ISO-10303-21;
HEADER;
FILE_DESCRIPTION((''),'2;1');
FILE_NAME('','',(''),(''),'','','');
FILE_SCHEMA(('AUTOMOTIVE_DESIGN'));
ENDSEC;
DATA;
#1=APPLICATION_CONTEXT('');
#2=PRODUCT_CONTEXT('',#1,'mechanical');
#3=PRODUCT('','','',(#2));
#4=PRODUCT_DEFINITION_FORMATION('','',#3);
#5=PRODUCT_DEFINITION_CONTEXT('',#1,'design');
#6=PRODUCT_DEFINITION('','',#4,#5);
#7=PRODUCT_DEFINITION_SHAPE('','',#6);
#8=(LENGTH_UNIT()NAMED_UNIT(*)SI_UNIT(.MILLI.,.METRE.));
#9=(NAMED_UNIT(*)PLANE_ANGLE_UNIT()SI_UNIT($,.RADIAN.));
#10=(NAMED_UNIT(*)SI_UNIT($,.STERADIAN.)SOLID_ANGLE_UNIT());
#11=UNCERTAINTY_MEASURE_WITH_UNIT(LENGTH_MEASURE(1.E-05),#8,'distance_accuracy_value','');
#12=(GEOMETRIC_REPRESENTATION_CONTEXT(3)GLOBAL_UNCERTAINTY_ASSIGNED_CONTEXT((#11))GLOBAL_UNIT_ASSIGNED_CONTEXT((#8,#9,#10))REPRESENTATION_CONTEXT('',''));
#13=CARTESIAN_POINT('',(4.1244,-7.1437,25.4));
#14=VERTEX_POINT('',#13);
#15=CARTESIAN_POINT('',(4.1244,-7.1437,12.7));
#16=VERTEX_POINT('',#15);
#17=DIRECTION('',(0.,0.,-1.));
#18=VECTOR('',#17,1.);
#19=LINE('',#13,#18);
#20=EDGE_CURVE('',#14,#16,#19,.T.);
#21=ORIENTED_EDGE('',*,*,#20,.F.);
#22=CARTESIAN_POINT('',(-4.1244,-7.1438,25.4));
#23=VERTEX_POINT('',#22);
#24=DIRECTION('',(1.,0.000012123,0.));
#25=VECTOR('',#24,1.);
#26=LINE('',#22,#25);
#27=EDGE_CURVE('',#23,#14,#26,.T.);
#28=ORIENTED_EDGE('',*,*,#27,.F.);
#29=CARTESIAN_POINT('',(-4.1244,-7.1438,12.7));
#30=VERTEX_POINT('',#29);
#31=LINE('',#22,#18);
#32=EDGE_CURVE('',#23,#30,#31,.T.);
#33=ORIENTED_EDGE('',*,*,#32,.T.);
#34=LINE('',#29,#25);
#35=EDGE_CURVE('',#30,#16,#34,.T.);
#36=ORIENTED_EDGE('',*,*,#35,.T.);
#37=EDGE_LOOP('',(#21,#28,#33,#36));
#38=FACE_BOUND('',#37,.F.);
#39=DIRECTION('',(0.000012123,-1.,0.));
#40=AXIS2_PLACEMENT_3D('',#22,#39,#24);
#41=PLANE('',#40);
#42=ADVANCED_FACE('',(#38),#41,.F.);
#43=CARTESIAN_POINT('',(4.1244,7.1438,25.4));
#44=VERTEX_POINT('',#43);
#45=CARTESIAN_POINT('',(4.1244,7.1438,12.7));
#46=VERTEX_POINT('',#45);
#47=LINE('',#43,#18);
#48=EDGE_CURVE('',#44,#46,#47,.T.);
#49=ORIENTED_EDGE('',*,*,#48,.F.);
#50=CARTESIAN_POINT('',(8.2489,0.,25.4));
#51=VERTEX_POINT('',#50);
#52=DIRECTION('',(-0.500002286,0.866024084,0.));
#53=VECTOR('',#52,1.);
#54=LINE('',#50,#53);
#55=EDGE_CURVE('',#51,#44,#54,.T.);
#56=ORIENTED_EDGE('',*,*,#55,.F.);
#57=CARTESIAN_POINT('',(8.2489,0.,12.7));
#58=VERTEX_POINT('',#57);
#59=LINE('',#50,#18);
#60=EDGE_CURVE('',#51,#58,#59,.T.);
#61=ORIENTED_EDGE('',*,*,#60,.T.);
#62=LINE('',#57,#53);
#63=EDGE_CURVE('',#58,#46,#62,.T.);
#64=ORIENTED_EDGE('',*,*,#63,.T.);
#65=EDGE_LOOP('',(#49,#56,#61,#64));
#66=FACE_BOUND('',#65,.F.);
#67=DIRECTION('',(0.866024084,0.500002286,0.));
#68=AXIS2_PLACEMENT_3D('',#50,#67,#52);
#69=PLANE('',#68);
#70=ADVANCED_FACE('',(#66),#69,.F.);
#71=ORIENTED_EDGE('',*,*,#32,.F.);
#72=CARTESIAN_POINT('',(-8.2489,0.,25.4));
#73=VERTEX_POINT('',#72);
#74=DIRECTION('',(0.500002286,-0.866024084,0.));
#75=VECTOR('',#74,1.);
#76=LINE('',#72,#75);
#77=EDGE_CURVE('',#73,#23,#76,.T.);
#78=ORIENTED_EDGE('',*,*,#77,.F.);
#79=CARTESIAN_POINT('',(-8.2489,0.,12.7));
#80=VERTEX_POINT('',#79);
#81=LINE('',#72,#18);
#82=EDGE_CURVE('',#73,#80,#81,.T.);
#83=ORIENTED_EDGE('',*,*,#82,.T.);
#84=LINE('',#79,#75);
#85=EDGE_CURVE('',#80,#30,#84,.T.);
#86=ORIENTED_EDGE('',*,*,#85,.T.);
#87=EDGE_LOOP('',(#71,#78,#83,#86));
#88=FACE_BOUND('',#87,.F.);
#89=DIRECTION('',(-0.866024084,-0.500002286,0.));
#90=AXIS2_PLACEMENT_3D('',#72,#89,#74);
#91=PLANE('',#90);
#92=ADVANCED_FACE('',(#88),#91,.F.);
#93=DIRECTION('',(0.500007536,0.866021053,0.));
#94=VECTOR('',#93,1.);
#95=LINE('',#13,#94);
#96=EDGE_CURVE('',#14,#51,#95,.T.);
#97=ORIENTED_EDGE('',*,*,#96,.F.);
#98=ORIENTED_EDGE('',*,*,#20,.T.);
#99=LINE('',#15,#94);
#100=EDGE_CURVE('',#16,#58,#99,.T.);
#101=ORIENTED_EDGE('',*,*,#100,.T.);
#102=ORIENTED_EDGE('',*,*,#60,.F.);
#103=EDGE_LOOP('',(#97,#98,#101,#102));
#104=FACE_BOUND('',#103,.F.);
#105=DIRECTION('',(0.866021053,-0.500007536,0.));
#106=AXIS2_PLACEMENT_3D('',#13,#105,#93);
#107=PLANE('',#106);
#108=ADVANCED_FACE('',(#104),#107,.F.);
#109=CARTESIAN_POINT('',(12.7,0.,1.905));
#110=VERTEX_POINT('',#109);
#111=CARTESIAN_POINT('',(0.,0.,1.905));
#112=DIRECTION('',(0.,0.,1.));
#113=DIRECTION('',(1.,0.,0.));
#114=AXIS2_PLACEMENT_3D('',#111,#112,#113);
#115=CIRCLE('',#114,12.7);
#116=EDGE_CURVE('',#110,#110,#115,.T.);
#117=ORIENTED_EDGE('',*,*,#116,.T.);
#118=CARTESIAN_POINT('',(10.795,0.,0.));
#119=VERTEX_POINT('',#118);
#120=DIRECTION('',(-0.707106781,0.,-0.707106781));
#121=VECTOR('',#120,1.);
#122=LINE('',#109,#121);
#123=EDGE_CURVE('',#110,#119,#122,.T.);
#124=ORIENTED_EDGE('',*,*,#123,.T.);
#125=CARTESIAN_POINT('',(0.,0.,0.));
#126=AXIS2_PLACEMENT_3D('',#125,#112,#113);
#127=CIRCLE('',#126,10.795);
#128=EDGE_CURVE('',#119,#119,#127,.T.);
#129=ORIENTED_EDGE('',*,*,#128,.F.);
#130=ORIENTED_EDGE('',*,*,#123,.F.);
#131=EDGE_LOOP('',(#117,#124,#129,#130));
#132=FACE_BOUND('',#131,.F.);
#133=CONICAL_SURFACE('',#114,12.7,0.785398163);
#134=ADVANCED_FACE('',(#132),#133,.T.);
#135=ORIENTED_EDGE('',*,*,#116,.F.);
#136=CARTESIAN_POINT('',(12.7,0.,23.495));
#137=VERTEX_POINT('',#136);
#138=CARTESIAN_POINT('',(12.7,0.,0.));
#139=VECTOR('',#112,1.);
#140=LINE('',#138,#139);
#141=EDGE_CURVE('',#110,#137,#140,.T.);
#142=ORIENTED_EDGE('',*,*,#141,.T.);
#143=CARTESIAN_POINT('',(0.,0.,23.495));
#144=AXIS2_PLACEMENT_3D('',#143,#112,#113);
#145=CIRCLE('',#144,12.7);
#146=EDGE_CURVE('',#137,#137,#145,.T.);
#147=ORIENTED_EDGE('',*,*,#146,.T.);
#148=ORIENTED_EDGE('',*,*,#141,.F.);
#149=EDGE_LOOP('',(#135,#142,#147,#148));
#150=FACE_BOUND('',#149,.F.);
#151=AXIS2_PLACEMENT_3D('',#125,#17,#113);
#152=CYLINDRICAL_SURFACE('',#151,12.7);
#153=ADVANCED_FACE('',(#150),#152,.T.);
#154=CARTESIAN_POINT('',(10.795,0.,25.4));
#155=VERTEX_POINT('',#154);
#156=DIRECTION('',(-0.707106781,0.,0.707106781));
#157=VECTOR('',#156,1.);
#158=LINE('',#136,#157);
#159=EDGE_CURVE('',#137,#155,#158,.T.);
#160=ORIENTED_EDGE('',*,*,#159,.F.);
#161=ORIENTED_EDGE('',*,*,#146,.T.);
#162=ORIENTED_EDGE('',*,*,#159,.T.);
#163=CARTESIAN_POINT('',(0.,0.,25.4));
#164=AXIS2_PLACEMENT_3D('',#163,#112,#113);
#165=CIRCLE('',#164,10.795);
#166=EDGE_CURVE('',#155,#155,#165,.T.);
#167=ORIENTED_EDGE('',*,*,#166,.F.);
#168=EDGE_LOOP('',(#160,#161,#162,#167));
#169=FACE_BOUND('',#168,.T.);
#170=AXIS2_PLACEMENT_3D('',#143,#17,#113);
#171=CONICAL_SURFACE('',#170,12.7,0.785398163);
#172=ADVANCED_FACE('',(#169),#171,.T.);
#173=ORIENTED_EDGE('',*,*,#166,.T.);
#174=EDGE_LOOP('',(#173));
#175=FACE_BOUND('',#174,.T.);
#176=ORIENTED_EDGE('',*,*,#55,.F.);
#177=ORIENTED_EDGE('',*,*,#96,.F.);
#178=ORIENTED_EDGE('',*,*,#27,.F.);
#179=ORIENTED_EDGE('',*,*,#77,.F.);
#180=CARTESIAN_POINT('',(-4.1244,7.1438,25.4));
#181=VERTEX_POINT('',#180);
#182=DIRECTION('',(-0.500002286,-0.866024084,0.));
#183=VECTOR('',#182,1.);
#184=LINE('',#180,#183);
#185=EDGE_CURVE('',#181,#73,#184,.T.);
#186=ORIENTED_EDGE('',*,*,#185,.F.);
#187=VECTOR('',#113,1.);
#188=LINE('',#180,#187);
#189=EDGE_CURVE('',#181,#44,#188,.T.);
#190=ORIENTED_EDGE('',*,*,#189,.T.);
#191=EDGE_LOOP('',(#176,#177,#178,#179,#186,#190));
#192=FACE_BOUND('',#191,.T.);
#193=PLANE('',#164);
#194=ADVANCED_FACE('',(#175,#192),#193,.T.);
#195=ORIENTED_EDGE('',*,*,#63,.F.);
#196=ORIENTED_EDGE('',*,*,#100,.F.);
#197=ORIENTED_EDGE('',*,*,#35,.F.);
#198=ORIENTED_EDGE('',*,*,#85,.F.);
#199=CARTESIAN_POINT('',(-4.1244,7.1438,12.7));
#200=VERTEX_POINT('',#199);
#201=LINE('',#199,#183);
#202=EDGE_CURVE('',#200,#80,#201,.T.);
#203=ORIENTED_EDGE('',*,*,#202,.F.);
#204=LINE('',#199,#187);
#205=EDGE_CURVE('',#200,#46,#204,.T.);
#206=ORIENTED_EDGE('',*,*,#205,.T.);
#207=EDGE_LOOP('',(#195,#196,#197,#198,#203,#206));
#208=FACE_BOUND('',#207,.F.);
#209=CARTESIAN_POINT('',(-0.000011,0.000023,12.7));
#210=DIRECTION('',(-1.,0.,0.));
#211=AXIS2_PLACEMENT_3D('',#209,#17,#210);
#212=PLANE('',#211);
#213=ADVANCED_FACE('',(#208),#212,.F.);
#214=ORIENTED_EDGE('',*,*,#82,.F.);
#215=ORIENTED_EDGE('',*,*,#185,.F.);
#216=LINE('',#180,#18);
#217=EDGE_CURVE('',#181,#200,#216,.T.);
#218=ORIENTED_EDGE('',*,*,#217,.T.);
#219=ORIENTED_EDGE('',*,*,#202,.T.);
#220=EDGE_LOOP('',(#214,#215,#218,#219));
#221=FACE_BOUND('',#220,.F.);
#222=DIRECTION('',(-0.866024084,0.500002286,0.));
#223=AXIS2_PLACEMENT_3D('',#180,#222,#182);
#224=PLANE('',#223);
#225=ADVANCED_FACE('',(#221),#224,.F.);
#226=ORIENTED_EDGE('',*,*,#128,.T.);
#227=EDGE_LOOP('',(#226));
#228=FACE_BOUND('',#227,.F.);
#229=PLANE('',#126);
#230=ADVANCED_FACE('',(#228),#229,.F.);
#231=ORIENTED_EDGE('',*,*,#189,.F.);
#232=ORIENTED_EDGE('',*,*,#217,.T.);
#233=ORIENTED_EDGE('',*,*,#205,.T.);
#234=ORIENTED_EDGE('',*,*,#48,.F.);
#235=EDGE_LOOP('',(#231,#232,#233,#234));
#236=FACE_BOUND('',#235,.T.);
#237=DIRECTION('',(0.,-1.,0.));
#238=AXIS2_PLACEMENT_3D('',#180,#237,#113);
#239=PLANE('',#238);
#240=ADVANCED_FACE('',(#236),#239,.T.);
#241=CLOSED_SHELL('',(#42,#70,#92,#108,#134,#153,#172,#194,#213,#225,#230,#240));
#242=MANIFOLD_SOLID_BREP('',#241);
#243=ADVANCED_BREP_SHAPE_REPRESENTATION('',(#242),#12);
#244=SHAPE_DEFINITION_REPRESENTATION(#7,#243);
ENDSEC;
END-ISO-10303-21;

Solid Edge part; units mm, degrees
sketch "Sketch1" plane through (0, 0, 0) normal (0, 0, 1) x (1, 0, 0)
  circle A0 centre (0, 0) radius 12.7
  dimension "D1" = 25.4
extrude "Protrusion1" add sketch "Sketch1" along normal blind 25.4
chamfer "Chamfer1" distance 1.905 angle 45 2 edges at (-12.7, 0, 0) (-12.7, 0, 25.4)
sketch "Sketch2" plane through (0, 0, 25.4) normal (0, 0, 1) x (1, 0, 0)
  line L0 (-4.1244, 7.1438) -> (4.1244, 7.1438)
  line L1 (8.2489, 0) -> (4.1244, 7.1437)
  line L2 (4.1244, -7.1437) -> (8.2489, 0)
  line L3 (-4.1244, -7.1438) -> (4.1244, -7.1438)
  line L4 (-8.2489, 0) -> (-4.1244, -7.1437)
  line L5 (-4.1244, 7.1437) -> (-8.2489, 0)
  dimension "D1" = 14.2875
extrude "Cutout1" cut sketch "Sketch2" against normal blind 12.7
properties part number "24103863"
